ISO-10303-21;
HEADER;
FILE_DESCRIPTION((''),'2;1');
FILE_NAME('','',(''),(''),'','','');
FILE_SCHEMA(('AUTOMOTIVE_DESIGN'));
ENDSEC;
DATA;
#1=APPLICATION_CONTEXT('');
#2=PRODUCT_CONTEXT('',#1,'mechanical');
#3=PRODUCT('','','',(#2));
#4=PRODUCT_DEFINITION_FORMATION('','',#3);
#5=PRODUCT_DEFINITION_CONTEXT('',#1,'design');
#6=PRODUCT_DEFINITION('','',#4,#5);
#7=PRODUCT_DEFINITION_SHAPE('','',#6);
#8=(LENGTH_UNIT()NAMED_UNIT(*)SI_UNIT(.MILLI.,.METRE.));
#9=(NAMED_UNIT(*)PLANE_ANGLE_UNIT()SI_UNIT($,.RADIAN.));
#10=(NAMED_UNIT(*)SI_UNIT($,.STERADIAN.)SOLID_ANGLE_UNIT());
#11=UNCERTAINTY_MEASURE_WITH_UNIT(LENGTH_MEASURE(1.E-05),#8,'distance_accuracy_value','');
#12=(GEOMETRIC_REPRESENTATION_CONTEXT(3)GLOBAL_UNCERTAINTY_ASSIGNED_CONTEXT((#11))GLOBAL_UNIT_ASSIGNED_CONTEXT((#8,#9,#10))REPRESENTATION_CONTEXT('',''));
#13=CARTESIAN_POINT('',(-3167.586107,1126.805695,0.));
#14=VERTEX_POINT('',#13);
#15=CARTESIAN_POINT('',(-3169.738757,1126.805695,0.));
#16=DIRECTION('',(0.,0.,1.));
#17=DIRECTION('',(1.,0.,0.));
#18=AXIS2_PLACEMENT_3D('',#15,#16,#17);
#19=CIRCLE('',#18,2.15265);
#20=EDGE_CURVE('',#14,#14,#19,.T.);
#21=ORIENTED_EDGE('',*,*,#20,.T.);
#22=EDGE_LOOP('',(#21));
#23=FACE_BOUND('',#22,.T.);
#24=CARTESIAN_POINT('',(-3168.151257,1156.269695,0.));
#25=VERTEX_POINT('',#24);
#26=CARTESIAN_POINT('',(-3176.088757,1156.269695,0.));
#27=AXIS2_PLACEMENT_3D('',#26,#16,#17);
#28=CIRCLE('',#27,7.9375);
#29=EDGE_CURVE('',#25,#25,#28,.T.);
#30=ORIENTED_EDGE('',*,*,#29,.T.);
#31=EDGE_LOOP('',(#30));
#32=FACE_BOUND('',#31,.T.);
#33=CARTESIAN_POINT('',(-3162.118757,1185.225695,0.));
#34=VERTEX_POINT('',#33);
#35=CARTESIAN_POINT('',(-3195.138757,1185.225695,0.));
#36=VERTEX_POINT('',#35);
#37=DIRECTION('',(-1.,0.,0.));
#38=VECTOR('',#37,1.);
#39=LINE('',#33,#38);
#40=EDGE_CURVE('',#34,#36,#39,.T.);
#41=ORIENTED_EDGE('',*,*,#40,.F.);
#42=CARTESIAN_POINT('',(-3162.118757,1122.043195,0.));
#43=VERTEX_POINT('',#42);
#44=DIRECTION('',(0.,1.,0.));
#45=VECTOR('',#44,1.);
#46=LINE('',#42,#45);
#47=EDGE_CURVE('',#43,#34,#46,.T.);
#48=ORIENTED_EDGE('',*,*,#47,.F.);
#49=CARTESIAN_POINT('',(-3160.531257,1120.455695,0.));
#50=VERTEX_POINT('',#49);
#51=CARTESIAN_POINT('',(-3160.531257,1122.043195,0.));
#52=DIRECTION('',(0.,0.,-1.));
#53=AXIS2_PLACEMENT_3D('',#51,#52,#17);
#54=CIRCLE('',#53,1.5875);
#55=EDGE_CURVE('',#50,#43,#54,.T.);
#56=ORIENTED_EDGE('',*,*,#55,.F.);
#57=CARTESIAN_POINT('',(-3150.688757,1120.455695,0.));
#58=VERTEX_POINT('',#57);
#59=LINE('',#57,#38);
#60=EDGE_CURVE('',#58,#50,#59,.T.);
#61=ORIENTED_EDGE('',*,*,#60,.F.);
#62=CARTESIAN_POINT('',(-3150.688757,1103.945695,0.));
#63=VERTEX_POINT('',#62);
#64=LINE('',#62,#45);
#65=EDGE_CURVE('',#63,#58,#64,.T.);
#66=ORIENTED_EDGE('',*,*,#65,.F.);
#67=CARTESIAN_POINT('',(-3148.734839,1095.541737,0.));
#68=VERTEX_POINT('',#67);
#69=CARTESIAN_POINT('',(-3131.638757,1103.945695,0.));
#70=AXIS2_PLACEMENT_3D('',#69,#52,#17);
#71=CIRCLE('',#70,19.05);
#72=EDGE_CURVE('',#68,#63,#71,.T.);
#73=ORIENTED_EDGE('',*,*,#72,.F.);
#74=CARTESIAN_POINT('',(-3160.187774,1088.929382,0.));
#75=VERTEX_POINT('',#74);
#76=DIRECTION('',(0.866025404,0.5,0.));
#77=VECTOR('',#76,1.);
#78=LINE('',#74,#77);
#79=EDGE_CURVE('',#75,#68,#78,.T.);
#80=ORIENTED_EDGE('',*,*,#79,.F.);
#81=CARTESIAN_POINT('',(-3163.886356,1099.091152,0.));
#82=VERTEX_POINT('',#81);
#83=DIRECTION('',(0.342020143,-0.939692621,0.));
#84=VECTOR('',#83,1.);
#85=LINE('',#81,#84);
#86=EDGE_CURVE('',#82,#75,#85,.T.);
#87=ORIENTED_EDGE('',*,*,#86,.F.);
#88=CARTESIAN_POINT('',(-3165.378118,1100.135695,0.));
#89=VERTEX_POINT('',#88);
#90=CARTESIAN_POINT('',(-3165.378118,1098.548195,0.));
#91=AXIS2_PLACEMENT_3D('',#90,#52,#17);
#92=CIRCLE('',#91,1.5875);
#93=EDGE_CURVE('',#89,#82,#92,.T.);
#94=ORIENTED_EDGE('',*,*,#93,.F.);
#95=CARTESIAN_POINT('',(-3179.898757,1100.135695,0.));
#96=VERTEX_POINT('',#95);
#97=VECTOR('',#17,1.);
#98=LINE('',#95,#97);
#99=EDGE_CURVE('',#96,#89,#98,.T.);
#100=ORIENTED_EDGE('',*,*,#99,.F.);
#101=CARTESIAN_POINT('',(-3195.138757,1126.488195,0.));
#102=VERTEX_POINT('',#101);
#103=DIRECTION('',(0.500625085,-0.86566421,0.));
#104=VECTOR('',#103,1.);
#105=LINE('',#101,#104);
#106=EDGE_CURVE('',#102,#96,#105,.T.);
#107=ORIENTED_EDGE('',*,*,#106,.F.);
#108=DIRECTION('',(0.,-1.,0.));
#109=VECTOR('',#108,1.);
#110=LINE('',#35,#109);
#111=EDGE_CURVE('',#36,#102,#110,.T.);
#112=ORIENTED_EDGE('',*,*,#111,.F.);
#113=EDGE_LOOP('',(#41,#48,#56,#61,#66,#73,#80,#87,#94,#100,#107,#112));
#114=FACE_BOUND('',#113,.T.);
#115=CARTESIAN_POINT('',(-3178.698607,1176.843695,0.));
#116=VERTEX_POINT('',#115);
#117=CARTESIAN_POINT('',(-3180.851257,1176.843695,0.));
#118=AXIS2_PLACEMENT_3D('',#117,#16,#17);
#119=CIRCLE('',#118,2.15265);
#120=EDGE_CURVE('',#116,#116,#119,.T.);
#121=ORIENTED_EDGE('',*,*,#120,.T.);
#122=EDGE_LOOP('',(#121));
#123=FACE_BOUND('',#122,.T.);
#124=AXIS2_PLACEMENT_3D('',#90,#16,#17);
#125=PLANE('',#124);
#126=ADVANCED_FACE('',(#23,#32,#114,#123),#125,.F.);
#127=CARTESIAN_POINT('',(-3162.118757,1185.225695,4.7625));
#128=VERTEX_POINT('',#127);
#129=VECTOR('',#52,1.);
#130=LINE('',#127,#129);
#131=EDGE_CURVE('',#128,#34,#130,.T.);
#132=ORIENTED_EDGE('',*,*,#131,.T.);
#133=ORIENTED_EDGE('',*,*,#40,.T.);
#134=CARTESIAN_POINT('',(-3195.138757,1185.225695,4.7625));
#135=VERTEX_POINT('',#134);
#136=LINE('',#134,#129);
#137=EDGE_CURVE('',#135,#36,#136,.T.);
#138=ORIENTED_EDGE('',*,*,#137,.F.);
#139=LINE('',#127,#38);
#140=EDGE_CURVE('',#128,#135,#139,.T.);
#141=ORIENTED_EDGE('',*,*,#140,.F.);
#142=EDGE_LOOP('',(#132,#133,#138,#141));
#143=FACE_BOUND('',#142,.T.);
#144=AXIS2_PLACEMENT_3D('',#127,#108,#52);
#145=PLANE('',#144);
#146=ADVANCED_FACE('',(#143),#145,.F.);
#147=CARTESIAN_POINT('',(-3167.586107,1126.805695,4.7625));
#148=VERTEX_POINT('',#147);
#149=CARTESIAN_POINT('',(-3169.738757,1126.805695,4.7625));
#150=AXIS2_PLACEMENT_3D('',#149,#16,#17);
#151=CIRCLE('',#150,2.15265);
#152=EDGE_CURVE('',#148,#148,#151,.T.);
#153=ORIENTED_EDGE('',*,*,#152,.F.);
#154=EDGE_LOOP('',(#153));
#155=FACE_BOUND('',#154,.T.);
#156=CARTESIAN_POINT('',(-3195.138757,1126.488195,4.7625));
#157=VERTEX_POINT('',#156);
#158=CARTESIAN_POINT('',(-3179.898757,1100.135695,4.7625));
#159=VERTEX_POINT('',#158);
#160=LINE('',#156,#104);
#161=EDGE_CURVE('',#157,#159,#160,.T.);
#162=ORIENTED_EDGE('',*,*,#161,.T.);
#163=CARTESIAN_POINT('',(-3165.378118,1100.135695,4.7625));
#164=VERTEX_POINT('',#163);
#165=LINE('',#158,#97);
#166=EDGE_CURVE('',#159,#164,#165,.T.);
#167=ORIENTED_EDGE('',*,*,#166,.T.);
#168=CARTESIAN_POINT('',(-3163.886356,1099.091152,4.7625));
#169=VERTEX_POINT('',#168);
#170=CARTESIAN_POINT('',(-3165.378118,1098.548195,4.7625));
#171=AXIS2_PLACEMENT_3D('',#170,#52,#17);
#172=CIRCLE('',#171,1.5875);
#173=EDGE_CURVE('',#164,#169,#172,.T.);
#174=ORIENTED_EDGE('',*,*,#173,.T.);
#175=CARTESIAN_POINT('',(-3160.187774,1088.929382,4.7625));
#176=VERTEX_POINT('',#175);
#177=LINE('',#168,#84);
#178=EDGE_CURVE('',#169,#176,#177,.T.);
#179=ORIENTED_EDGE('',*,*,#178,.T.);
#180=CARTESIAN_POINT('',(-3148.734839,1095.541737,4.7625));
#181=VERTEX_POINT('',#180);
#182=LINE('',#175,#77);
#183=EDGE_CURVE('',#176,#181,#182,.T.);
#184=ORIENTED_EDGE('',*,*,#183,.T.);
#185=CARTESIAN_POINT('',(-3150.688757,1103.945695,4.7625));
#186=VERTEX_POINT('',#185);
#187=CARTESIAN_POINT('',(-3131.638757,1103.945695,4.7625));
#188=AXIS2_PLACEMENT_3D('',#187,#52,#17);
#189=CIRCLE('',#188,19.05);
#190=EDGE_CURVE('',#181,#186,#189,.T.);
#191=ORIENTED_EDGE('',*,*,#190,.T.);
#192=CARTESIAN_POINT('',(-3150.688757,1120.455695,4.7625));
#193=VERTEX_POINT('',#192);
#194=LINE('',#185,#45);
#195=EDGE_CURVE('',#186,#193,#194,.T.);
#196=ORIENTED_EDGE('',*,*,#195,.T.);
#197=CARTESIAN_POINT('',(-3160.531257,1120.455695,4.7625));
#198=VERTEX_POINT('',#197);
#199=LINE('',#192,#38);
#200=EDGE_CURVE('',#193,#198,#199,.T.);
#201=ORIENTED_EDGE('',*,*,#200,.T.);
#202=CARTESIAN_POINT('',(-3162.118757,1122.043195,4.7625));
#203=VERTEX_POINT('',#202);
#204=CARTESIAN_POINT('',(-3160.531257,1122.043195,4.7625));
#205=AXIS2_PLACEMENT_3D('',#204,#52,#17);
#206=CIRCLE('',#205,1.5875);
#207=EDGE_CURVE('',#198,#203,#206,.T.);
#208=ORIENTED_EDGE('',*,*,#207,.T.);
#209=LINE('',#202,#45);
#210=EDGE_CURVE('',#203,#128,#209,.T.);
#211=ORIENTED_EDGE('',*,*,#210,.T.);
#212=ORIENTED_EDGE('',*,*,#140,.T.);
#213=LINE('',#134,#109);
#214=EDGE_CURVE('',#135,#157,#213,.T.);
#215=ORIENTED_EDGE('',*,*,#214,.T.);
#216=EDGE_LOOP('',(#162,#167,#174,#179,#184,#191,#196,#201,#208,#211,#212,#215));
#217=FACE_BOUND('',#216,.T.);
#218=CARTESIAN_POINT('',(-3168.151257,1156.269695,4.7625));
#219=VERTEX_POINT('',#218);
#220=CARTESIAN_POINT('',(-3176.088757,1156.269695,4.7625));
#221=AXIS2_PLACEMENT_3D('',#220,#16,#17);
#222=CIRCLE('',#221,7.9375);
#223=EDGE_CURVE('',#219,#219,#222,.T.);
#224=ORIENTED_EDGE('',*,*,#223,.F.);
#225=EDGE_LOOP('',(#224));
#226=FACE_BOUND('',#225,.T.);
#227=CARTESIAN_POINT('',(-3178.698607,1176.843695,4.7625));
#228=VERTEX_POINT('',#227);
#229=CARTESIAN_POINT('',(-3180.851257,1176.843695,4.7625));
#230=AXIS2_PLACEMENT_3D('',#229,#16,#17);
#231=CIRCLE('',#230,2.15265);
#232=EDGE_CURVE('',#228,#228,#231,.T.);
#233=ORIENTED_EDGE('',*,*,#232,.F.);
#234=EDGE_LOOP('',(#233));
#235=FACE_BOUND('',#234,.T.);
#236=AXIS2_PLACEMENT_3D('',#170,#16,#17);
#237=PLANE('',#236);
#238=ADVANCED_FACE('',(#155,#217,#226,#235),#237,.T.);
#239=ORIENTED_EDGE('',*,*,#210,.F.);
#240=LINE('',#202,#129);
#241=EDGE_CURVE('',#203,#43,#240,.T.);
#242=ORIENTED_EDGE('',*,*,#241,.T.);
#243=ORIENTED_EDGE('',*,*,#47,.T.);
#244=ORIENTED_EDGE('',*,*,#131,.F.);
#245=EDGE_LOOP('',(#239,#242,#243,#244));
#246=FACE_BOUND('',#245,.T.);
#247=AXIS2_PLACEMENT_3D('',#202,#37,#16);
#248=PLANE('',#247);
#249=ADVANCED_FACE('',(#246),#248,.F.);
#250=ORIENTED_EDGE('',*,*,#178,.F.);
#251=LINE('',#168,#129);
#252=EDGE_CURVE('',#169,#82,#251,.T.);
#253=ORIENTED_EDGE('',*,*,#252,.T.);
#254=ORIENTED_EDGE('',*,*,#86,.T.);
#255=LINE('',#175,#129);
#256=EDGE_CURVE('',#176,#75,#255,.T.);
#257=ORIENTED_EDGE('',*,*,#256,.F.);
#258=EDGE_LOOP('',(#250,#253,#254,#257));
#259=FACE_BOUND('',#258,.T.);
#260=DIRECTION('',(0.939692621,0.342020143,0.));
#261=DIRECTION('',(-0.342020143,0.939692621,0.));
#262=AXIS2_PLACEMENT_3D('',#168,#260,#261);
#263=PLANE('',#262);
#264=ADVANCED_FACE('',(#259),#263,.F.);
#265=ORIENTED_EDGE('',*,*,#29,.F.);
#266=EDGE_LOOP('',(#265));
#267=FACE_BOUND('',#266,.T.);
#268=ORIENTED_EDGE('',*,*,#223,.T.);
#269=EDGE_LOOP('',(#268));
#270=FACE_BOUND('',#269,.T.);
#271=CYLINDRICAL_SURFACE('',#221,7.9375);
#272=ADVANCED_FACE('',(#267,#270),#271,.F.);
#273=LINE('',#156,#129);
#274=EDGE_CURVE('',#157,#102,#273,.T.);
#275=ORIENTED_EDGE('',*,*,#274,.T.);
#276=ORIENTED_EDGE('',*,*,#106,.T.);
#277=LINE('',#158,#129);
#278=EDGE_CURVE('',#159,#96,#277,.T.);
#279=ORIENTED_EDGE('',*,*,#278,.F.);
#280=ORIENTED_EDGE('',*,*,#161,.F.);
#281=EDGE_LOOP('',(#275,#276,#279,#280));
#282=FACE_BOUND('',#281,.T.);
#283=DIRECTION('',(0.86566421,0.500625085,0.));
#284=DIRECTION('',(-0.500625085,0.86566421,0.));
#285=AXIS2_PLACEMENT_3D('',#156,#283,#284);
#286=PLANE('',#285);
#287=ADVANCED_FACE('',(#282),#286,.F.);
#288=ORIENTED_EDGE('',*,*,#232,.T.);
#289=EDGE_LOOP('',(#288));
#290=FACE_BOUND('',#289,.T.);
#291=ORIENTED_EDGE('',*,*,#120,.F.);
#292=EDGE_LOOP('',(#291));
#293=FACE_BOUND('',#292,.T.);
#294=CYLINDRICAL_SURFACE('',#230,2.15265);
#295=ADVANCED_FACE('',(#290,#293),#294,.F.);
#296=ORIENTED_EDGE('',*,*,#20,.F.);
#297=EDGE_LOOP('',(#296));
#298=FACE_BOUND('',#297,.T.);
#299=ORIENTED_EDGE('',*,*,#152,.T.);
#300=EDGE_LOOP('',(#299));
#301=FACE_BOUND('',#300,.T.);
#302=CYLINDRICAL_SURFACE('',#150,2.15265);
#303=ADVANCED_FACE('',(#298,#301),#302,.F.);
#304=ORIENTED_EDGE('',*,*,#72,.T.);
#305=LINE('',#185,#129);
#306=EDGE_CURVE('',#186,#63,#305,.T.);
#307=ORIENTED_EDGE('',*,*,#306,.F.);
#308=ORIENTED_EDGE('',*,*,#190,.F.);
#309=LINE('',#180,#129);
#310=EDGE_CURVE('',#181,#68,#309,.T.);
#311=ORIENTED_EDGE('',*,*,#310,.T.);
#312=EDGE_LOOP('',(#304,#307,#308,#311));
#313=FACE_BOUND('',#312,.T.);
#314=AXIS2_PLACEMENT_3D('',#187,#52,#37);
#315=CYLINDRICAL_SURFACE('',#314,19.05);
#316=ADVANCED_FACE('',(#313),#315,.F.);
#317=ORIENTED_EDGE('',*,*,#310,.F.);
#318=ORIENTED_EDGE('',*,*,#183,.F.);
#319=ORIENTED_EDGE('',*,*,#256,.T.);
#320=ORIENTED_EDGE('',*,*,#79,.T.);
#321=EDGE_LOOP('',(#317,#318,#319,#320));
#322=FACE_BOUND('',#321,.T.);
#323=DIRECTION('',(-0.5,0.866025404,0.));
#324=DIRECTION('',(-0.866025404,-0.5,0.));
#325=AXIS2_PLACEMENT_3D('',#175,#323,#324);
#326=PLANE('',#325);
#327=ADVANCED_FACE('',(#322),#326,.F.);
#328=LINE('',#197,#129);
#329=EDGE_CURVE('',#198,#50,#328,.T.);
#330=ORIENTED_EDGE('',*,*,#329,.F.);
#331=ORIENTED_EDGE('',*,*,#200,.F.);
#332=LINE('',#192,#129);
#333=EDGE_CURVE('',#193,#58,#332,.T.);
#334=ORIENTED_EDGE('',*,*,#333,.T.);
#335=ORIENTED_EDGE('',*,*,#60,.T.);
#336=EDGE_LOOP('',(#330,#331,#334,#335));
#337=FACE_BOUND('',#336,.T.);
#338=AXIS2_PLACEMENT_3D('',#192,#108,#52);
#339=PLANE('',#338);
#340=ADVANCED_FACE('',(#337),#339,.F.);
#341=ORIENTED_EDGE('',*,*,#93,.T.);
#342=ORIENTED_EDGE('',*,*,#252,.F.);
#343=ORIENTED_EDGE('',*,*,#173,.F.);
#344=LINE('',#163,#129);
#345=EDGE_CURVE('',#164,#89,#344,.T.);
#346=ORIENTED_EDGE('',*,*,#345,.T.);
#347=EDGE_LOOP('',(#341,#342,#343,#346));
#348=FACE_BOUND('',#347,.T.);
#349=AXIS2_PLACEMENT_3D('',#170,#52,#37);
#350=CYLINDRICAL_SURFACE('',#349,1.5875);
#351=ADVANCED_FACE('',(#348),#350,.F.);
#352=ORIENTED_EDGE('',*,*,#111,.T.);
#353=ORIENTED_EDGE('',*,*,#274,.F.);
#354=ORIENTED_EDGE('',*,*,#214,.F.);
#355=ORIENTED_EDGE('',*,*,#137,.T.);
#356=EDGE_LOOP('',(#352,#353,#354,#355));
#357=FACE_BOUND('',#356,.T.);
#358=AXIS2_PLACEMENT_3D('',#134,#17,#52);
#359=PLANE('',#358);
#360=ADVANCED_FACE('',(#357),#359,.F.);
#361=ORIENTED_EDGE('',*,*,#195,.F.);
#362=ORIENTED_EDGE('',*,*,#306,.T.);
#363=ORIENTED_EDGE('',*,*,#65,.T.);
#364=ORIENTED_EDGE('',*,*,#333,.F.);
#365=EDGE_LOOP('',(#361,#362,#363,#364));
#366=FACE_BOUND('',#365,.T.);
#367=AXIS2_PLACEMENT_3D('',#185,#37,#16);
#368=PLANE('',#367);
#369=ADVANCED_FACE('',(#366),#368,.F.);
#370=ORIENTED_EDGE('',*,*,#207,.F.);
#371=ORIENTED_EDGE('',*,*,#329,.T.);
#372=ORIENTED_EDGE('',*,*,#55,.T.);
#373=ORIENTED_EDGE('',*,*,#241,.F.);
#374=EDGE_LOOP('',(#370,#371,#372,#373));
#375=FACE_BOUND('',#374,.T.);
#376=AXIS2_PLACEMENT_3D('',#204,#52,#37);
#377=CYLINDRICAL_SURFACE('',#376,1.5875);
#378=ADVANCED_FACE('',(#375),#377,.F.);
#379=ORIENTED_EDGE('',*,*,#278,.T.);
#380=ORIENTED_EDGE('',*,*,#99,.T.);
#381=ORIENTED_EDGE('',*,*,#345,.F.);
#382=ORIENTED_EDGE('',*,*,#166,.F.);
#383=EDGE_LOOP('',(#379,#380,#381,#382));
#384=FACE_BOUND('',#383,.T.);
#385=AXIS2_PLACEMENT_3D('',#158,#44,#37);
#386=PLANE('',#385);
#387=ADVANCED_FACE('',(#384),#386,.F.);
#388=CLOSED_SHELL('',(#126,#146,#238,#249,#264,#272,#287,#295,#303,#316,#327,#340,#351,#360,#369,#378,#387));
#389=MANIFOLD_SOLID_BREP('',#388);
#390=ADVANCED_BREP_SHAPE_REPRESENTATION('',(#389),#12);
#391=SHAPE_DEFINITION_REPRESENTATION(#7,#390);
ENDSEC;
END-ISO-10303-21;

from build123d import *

# Parameters (mm, degrees)
BOSS_EXTRUDE1_DEPTH          = 4.7625
F_6_CLEARANCE_HOLE1_D        = 4.3053
F_5_8_0_625_DIAMETER_HOLE1_D = 15.875


with BuildPart() as part:
    # Sketch1 → Boss-Extrude1 (new body)
    with BuildSketch(Plane.XY):
        with BuildLine():
            Line((-3163.88635614, 1099.09115169), (-3160.187774322, 1088.929381663))
            Line((-3160.187774322, 1088.929381663), (-3148.734838552, 1095.541737213))
            ThreePointArc((-3148.734838552, 1095.541737213), (-3150.193848799, 1099.631639206), (-3150.688757178, 1103.945694712))
            Line((-3150.688757178, 1103.945694712), (-3150.688757178, 1120.455694712))
            Line((-3150.688757178, 1120.455694712), (-3160.531257178, 1120.455694712))
            ThreePointArc((-3160.531257178, 1120.455694712), (-3161.653789193, 1120.920662697), (-3162.118757178, 1122.043194712))
            Line((-3162.118757178, 1122.043194712), (-3162.118757178, 1185.225694712))
            Line((-3162.118757178, 1185.225694712), (-3195.138757178, 1185.225694712))
            Line((-3195.138757178, 1185.225694712), (-3195.138757178, 1126.488194712))
            Line((-3195.138757178, 1126.488194712), (-3179.898757178, 1100.135694712))
            Line((-3179.898757178, 1100.135694712), (-3165.378118175, 1100.135694712))
            ThreePointArc((-3165.378118175, 1100.135694712), (-3164.467565582, 1099.848598583), (-3163.88635614, 1099.09115169))
        make_face()
    extrude(amount=BOSS_EXTRUDE1_DEPTH)

    # #6 Clearance Hole1 (through all)
    with Locations(Plane.XY.offset(4.7625)):
        with Locations((-3169.738757178, 1126.805694712), (-3180.851257178, 1176.843694712)):
            Hole(F_6_CLEARANCE_HOLE1_D / 2)

    # 5/8 (0.625) Diameter Hole1 (through all)
    with Locations(Plane.XY.offset(4.7625)):
        with Locations((-3176.088757178, 1156.269694712)):
            Hole(F_5_8_0_625_DIAMETER_HOLE1_D / 2)


solid = part.part
